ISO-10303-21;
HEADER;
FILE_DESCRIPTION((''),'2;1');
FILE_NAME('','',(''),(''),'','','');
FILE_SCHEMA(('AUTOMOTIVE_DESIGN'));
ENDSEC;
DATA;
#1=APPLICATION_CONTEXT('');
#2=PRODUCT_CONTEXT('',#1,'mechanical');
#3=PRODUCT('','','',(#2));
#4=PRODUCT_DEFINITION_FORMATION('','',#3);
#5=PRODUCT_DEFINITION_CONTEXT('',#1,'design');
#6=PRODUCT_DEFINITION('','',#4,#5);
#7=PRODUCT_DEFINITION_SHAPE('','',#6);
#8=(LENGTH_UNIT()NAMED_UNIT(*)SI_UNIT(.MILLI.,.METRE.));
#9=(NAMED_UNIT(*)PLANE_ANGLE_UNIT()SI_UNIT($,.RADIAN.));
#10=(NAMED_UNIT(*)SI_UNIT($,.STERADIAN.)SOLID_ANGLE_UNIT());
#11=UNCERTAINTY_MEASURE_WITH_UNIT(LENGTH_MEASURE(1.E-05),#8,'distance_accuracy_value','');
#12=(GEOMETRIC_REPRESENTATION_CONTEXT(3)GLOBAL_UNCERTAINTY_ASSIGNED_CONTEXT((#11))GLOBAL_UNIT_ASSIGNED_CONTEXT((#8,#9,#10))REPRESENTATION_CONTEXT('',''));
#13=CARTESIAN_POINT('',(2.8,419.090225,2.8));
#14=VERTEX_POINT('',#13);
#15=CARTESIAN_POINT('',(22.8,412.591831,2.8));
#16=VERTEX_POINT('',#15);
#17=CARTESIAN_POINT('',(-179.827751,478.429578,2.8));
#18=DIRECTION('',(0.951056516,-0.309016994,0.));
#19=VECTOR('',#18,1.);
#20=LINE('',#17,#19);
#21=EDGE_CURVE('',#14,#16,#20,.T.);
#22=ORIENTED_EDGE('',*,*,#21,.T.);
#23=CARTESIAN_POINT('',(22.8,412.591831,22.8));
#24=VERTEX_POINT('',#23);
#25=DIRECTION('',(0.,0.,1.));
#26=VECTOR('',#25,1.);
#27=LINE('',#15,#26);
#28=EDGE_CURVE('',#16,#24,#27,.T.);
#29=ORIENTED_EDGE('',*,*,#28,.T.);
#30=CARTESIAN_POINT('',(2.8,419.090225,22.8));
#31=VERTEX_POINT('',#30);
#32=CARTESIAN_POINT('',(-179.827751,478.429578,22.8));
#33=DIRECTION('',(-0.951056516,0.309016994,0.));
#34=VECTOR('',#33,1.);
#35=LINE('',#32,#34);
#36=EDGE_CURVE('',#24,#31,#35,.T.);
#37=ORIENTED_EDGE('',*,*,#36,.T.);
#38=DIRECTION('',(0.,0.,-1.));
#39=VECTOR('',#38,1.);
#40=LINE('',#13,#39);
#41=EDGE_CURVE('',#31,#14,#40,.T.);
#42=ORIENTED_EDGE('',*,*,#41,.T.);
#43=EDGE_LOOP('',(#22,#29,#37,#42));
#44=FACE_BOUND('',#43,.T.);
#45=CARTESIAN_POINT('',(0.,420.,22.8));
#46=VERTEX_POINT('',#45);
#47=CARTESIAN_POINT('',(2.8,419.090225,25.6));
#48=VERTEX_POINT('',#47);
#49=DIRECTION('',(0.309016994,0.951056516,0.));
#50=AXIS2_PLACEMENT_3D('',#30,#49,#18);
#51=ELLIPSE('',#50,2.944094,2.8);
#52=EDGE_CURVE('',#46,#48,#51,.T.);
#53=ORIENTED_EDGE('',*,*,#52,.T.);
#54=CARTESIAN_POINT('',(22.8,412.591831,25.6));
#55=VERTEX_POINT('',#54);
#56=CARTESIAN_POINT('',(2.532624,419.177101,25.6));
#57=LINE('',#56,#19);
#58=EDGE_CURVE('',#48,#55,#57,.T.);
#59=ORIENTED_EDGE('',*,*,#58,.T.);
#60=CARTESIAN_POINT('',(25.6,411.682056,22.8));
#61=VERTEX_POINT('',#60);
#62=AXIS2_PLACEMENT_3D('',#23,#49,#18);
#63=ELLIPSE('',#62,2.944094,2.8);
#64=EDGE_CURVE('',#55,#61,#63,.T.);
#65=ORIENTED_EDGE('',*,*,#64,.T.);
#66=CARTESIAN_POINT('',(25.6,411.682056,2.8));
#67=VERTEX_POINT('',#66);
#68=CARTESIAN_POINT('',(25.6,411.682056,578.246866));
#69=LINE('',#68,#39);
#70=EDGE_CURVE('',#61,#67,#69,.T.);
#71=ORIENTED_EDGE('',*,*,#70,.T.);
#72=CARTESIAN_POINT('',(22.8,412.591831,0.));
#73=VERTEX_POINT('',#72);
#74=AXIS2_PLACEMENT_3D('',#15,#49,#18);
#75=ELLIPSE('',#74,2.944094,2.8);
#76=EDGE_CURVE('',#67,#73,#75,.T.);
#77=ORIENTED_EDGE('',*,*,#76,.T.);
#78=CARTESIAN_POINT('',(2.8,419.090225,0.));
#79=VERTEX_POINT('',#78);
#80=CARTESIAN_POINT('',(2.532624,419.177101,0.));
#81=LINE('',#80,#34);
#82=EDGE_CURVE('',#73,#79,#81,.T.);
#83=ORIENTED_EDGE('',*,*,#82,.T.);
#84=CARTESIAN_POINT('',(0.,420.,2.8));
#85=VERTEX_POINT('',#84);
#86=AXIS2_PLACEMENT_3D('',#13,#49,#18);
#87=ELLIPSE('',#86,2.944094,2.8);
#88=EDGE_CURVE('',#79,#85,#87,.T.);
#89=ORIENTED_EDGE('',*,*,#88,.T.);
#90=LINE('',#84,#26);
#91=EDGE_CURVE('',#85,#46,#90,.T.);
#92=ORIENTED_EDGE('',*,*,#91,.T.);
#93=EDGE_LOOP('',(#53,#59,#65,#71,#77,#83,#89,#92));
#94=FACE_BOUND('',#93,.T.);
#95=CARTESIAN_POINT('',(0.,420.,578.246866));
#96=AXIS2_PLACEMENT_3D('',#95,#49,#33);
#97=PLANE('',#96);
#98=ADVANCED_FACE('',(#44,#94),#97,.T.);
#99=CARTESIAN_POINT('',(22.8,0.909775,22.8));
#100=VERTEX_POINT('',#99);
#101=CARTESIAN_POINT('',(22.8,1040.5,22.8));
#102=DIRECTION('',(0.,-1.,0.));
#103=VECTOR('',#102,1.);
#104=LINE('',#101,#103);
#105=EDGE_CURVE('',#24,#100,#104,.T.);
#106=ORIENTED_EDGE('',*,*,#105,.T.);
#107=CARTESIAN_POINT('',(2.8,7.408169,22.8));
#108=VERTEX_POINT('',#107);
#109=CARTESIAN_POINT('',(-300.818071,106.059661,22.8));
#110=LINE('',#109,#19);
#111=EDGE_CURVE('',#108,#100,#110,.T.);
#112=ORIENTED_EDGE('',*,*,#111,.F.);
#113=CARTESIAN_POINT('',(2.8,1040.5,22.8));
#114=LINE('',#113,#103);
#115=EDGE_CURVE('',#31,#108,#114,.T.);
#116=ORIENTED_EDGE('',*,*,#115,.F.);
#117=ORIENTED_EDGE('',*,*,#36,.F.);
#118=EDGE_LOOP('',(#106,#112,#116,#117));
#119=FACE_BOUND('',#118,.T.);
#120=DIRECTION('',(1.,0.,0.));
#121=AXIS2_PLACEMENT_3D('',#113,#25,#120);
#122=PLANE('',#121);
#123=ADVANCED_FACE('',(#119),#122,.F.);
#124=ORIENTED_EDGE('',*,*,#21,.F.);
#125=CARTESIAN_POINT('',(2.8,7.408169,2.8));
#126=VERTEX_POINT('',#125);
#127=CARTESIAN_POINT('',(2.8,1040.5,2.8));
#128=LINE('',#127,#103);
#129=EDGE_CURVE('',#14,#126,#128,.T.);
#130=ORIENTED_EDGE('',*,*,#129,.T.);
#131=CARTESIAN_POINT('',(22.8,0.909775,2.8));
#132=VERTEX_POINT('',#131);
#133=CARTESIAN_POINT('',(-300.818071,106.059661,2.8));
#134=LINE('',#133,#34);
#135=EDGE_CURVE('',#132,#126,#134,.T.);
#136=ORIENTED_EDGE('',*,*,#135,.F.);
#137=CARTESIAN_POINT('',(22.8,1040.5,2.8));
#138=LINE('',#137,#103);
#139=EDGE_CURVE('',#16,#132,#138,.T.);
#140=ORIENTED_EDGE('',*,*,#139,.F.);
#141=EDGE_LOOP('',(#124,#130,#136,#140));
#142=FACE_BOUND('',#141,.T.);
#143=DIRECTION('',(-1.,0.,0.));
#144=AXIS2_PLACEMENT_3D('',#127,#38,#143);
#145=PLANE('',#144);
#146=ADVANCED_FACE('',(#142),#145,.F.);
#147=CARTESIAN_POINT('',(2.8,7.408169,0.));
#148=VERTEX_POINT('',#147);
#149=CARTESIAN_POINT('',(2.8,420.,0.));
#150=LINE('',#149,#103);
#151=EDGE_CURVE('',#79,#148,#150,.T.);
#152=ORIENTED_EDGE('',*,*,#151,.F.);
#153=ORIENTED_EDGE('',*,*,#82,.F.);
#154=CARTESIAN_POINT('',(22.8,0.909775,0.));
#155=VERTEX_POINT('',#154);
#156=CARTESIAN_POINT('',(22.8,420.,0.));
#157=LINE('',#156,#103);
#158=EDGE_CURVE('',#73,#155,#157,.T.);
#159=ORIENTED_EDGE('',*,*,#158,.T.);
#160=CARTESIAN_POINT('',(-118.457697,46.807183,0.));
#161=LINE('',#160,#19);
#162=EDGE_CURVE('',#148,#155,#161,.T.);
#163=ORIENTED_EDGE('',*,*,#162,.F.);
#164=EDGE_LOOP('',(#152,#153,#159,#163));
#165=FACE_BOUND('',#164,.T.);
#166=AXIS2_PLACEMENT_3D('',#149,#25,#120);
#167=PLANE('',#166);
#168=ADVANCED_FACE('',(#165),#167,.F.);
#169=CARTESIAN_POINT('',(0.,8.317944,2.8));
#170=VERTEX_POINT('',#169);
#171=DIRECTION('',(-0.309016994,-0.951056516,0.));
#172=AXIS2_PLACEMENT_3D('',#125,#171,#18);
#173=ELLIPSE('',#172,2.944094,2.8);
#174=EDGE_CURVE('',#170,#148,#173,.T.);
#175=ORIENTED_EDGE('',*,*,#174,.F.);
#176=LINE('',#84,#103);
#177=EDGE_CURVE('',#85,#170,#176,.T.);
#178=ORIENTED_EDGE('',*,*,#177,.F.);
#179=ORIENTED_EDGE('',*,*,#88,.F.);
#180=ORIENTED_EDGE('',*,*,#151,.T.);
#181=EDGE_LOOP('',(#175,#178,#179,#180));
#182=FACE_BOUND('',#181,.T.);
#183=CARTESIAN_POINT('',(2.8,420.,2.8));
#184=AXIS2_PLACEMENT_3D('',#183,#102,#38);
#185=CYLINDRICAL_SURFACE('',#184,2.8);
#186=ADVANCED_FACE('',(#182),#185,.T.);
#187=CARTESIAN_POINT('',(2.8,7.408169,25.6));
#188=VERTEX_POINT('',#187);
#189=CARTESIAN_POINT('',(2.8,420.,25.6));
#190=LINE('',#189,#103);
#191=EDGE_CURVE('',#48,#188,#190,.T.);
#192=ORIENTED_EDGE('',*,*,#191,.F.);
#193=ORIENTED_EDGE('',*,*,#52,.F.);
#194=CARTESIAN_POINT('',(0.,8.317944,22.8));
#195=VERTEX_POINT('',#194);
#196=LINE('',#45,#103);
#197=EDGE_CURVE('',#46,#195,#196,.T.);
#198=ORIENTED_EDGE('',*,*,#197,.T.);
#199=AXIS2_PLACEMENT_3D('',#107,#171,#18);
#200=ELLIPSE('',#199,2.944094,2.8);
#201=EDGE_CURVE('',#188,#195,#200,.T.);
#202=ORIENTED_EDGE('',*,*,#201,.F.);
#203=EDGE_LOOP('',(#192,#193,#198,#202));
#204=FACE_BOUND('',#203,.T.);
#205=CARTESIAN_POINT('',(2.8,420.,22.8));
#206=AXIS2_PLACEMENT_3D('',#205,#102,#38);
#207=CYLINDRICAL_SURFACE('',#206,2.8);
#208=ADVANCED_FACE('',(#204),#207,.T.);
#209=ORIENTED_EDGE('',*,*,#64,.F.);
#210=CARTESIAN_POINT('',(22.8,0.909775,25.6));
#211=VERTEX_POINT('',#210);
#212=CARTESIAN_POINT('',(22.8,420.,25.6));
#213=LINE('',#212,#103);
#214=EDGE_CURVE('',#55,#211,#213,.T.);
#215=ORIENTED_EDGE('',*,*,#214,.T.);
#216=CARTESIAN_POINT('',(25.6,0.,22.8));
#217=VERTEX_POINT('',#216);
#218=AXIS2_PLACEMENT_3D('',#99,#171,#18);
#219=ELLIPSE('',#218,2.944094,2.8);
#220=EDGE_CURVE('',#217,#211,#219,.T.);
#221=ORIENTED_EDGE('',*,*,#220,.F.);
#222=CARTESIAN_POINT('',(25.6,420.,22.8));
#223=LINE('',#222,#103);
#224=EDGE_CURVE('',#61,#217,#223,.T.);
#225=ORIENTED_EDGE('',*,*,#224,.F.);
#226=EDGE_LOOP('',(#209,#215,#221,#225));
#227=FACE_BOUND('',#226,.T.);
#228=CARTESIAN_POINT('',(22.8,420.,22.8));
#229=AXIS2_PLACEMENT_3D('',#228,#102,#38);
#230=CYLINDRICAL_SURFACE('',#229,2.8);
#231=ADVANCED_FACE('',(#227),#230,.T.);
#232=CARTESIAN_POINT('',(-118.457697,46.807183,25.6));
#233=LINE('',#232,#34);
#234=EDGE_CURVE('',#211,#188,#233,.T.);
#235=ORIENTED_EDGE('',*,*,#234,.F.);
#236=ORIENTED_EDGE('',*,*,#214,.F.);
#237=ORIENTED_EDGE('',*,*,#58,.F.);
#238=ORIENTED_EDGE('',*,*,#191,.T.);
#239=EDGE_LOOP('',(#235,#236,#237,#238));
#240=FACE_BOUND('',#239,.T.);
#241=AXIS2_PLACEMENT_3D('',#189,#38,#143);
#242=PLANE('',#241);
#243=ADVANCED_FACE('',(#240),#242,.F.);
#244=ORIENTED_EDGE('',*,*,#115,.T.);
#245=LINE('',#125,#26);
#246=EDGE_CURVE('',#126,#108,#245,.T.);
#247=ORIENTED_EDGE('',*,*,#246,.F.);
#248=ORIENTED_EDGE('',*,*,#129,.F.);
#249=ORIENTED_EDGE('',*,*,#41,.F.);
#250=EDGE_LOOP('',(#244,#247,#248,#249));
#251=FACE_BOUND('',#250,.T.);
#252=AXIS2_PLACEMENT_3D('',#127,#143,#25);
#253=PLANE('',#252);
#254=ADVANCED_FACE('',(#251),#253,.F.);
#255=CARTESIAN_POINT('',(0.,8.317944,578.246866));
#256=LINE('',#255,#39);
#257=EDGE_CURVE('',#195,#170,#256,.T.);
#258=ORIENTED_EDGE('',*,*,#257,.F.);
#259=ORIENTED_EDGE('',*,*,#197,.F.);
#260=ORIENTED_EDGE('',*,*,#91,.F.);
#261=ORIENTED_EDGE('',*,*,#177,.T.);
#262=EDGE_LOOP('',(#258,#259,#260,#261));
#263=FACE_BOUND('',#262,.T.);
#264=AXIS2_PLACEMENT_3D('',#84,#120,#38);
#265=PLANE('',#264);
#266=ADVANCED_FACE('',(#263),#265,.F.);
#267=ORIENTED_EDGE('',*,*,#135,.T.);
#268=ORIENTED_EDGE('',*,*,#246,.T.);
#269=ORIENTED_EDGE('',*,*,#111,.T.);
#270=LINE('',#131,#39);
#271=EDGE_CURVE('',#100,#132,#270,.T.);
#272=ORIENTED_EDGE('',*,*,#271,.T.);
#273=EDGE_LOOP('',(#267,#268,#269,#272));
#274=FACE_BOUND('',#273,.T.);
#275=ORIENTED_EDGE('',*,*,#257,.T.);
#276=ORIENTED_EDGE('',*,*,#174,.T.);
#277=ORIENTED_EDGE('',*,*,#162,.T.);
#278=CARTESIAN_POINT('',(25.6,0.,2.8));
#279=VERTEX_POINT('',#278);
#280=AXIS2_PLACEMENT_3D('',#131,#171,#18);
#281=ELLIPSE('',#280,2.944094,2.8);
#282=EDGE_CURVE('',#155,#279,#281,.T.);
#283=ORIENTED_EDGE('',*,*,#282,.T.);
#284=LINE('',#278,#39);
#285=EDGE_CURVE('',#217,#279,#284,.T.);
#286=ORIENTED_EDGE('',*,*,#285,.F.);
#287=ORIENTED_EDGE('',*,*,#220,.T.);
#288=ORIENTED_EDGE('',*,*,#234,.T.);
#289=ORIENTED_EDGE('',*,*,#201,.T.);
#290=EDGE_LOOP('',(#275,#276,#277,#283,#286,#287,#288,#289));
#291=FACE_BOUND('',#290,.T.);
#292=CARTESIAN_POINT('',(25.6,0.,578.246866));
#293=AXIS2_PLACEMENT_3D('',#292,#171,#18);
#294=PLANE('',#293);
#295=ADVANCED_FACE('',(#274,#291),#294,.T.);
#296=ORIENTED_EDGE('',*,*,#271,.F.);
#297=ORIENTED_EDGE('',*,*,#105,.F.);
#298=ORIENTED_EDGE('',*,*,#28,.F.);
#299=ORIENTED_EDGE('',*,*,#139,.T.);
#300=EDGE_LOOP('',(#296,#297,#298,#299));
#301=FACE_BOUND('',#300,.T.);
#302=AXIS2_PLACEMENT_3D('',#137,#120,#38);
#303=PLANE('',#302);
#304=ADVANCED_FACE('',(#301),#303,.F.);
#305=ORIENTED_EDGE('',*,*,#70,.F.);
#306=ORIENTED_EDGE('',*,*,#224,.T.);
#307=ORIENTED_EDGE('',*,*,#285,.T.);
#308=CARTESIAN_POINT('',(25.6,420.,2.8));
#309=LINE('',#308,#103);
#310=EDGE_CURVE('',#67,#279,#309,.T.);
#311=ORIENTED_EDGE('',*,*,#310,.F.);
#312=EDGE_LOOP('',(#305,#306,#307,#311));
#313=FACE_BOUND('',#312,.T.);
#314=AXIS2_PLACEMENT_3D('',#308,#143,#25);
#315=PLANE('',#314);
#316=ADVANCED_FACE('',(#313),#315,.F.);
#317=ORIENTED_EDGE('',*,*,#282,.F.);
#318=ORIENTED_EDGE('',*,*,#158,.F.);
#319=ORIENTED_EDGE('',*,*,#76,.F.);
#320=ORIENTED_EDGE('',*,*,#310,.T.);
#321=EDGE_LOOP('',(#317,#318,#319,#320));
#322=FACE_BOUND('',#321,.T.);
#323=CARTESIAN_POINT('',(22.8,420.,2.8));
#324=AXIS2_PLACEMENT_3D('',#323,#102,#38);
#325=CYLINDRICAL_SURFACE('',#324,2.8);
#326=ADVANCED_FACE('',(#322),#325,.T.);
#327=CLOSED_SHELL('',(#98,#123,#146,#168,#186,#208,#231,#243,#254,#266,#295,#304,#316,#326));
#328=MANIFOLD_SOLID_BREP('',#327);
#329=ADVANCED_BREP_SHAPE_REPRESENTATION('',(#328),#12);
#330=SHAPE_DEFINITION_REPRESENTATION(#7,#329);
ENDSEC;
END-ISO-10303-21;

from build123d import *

# Parameters (mm, degrees)
BOSS_EXTRUDE1_DEPTH     = 420
SKETCH3_W               = 20
SKETCH3_H               = 20
CUT_EXTRUDE1_DEPTH      = 1040.5
CUT_EXTRUDE3_DEPTH      = 422.396725189
CUT_EXTRUDE3_DEPTH_BACK = 422.396725189
CUT_EXTRUDE4_DEPTH      = 422.396725189
CUT_EXTRUDE4_DEPTH_BACK = 422.396725189


with BuildPart() as part:
    # Sketch1 → Boss-Extrude1 (new body)
    with BuildSketch(Plane(origin=(0, 0, 0), x_dir=(1, 0, 0), z_dir=(0, 1, 0))):
        with BuildLine():
            Line((2.8, 0), (22.8, 0))
            ThreePointArc((22.8, 0), (24.779898987, -0.820101013), (25.6, -2.8))
            Line((25.6, -2.8), (25.6, -22.8))
            ThreePointArc((25.6, -22.8), (24.779898987, -24.779898987), (22.8, -25.6))
            Line((22.8, -25.6), (2.8, -25.6))
            ThreePointArc((2.8, -25.6), (0.820101013, -24.779898987), (0, -22.8))
            Line((0, -22.8), (0, -2.8))
            ThreePointArc((0, -2.8), (0.820101013, -0.820101013), (2.8, 0))
        make_face()
    extrude(amount=BOSS_EXTRUDE1_DEPTH)

    # Sketch3 → Cut-Extrude1 (cut)
    with BuildSketch(Plane(origin=(0, 0, 0), x_dir=(-1, 0, 0), z_dir=(0, -1, 0))):
        with Locations((-12.8, -12.8)):
            Rectangle(SKETCH3_W, SKETCH3_H)
    extrude(amount=-CUT_EXTRUDE1_DEPTH, mode=Mode.SUBTRACT)

    # Sketch5 → Cut-Extrude3 (cut, two sides: drawn at the far end of the back side and taken through both)
    with BuildSketch(Plane.XY.offset(22.8).offset(-CUT_EXTRUDE3_DEPTH_BACK)):
        Polygon((835.480673532, -263.146182429), (25.6, 0), (0, 8.317944224), (-809.880673532, 271.464126652), (-1336.173038389, -1348.297220411), (309.188308674, -1882.907529492), align=None)
    extrude(amount=CUT_EXTRUDE3_DEPTH + CUT_EXTRUDE3_DEPTH_BACK, mode=Mode.SUBTRACT)

    # Sketch4 → Cut-Extrude4 (cut, two sides: drawn at the far end of the back side and taken through both)
    with BuildSketch(Plane.XY.offset(22.8).offset(-CUT_EXTRUDE4_DEPTH_BACK)):
        Polygon((-809.880673532, 683.146182429), (0, 420), (25.6, 411.682055776), (835.480673532, 148.535873348), (1361.773038389, 1768.297220411), (-283.588308674, 2302.907529492), align=None)
    extrude(amount=CUT_EXTRUDE4_DEPTH + CUT_EXTRUDE4_DEPTH_BACK, mode=Mode.SUBTRACT)


solid = part.part
